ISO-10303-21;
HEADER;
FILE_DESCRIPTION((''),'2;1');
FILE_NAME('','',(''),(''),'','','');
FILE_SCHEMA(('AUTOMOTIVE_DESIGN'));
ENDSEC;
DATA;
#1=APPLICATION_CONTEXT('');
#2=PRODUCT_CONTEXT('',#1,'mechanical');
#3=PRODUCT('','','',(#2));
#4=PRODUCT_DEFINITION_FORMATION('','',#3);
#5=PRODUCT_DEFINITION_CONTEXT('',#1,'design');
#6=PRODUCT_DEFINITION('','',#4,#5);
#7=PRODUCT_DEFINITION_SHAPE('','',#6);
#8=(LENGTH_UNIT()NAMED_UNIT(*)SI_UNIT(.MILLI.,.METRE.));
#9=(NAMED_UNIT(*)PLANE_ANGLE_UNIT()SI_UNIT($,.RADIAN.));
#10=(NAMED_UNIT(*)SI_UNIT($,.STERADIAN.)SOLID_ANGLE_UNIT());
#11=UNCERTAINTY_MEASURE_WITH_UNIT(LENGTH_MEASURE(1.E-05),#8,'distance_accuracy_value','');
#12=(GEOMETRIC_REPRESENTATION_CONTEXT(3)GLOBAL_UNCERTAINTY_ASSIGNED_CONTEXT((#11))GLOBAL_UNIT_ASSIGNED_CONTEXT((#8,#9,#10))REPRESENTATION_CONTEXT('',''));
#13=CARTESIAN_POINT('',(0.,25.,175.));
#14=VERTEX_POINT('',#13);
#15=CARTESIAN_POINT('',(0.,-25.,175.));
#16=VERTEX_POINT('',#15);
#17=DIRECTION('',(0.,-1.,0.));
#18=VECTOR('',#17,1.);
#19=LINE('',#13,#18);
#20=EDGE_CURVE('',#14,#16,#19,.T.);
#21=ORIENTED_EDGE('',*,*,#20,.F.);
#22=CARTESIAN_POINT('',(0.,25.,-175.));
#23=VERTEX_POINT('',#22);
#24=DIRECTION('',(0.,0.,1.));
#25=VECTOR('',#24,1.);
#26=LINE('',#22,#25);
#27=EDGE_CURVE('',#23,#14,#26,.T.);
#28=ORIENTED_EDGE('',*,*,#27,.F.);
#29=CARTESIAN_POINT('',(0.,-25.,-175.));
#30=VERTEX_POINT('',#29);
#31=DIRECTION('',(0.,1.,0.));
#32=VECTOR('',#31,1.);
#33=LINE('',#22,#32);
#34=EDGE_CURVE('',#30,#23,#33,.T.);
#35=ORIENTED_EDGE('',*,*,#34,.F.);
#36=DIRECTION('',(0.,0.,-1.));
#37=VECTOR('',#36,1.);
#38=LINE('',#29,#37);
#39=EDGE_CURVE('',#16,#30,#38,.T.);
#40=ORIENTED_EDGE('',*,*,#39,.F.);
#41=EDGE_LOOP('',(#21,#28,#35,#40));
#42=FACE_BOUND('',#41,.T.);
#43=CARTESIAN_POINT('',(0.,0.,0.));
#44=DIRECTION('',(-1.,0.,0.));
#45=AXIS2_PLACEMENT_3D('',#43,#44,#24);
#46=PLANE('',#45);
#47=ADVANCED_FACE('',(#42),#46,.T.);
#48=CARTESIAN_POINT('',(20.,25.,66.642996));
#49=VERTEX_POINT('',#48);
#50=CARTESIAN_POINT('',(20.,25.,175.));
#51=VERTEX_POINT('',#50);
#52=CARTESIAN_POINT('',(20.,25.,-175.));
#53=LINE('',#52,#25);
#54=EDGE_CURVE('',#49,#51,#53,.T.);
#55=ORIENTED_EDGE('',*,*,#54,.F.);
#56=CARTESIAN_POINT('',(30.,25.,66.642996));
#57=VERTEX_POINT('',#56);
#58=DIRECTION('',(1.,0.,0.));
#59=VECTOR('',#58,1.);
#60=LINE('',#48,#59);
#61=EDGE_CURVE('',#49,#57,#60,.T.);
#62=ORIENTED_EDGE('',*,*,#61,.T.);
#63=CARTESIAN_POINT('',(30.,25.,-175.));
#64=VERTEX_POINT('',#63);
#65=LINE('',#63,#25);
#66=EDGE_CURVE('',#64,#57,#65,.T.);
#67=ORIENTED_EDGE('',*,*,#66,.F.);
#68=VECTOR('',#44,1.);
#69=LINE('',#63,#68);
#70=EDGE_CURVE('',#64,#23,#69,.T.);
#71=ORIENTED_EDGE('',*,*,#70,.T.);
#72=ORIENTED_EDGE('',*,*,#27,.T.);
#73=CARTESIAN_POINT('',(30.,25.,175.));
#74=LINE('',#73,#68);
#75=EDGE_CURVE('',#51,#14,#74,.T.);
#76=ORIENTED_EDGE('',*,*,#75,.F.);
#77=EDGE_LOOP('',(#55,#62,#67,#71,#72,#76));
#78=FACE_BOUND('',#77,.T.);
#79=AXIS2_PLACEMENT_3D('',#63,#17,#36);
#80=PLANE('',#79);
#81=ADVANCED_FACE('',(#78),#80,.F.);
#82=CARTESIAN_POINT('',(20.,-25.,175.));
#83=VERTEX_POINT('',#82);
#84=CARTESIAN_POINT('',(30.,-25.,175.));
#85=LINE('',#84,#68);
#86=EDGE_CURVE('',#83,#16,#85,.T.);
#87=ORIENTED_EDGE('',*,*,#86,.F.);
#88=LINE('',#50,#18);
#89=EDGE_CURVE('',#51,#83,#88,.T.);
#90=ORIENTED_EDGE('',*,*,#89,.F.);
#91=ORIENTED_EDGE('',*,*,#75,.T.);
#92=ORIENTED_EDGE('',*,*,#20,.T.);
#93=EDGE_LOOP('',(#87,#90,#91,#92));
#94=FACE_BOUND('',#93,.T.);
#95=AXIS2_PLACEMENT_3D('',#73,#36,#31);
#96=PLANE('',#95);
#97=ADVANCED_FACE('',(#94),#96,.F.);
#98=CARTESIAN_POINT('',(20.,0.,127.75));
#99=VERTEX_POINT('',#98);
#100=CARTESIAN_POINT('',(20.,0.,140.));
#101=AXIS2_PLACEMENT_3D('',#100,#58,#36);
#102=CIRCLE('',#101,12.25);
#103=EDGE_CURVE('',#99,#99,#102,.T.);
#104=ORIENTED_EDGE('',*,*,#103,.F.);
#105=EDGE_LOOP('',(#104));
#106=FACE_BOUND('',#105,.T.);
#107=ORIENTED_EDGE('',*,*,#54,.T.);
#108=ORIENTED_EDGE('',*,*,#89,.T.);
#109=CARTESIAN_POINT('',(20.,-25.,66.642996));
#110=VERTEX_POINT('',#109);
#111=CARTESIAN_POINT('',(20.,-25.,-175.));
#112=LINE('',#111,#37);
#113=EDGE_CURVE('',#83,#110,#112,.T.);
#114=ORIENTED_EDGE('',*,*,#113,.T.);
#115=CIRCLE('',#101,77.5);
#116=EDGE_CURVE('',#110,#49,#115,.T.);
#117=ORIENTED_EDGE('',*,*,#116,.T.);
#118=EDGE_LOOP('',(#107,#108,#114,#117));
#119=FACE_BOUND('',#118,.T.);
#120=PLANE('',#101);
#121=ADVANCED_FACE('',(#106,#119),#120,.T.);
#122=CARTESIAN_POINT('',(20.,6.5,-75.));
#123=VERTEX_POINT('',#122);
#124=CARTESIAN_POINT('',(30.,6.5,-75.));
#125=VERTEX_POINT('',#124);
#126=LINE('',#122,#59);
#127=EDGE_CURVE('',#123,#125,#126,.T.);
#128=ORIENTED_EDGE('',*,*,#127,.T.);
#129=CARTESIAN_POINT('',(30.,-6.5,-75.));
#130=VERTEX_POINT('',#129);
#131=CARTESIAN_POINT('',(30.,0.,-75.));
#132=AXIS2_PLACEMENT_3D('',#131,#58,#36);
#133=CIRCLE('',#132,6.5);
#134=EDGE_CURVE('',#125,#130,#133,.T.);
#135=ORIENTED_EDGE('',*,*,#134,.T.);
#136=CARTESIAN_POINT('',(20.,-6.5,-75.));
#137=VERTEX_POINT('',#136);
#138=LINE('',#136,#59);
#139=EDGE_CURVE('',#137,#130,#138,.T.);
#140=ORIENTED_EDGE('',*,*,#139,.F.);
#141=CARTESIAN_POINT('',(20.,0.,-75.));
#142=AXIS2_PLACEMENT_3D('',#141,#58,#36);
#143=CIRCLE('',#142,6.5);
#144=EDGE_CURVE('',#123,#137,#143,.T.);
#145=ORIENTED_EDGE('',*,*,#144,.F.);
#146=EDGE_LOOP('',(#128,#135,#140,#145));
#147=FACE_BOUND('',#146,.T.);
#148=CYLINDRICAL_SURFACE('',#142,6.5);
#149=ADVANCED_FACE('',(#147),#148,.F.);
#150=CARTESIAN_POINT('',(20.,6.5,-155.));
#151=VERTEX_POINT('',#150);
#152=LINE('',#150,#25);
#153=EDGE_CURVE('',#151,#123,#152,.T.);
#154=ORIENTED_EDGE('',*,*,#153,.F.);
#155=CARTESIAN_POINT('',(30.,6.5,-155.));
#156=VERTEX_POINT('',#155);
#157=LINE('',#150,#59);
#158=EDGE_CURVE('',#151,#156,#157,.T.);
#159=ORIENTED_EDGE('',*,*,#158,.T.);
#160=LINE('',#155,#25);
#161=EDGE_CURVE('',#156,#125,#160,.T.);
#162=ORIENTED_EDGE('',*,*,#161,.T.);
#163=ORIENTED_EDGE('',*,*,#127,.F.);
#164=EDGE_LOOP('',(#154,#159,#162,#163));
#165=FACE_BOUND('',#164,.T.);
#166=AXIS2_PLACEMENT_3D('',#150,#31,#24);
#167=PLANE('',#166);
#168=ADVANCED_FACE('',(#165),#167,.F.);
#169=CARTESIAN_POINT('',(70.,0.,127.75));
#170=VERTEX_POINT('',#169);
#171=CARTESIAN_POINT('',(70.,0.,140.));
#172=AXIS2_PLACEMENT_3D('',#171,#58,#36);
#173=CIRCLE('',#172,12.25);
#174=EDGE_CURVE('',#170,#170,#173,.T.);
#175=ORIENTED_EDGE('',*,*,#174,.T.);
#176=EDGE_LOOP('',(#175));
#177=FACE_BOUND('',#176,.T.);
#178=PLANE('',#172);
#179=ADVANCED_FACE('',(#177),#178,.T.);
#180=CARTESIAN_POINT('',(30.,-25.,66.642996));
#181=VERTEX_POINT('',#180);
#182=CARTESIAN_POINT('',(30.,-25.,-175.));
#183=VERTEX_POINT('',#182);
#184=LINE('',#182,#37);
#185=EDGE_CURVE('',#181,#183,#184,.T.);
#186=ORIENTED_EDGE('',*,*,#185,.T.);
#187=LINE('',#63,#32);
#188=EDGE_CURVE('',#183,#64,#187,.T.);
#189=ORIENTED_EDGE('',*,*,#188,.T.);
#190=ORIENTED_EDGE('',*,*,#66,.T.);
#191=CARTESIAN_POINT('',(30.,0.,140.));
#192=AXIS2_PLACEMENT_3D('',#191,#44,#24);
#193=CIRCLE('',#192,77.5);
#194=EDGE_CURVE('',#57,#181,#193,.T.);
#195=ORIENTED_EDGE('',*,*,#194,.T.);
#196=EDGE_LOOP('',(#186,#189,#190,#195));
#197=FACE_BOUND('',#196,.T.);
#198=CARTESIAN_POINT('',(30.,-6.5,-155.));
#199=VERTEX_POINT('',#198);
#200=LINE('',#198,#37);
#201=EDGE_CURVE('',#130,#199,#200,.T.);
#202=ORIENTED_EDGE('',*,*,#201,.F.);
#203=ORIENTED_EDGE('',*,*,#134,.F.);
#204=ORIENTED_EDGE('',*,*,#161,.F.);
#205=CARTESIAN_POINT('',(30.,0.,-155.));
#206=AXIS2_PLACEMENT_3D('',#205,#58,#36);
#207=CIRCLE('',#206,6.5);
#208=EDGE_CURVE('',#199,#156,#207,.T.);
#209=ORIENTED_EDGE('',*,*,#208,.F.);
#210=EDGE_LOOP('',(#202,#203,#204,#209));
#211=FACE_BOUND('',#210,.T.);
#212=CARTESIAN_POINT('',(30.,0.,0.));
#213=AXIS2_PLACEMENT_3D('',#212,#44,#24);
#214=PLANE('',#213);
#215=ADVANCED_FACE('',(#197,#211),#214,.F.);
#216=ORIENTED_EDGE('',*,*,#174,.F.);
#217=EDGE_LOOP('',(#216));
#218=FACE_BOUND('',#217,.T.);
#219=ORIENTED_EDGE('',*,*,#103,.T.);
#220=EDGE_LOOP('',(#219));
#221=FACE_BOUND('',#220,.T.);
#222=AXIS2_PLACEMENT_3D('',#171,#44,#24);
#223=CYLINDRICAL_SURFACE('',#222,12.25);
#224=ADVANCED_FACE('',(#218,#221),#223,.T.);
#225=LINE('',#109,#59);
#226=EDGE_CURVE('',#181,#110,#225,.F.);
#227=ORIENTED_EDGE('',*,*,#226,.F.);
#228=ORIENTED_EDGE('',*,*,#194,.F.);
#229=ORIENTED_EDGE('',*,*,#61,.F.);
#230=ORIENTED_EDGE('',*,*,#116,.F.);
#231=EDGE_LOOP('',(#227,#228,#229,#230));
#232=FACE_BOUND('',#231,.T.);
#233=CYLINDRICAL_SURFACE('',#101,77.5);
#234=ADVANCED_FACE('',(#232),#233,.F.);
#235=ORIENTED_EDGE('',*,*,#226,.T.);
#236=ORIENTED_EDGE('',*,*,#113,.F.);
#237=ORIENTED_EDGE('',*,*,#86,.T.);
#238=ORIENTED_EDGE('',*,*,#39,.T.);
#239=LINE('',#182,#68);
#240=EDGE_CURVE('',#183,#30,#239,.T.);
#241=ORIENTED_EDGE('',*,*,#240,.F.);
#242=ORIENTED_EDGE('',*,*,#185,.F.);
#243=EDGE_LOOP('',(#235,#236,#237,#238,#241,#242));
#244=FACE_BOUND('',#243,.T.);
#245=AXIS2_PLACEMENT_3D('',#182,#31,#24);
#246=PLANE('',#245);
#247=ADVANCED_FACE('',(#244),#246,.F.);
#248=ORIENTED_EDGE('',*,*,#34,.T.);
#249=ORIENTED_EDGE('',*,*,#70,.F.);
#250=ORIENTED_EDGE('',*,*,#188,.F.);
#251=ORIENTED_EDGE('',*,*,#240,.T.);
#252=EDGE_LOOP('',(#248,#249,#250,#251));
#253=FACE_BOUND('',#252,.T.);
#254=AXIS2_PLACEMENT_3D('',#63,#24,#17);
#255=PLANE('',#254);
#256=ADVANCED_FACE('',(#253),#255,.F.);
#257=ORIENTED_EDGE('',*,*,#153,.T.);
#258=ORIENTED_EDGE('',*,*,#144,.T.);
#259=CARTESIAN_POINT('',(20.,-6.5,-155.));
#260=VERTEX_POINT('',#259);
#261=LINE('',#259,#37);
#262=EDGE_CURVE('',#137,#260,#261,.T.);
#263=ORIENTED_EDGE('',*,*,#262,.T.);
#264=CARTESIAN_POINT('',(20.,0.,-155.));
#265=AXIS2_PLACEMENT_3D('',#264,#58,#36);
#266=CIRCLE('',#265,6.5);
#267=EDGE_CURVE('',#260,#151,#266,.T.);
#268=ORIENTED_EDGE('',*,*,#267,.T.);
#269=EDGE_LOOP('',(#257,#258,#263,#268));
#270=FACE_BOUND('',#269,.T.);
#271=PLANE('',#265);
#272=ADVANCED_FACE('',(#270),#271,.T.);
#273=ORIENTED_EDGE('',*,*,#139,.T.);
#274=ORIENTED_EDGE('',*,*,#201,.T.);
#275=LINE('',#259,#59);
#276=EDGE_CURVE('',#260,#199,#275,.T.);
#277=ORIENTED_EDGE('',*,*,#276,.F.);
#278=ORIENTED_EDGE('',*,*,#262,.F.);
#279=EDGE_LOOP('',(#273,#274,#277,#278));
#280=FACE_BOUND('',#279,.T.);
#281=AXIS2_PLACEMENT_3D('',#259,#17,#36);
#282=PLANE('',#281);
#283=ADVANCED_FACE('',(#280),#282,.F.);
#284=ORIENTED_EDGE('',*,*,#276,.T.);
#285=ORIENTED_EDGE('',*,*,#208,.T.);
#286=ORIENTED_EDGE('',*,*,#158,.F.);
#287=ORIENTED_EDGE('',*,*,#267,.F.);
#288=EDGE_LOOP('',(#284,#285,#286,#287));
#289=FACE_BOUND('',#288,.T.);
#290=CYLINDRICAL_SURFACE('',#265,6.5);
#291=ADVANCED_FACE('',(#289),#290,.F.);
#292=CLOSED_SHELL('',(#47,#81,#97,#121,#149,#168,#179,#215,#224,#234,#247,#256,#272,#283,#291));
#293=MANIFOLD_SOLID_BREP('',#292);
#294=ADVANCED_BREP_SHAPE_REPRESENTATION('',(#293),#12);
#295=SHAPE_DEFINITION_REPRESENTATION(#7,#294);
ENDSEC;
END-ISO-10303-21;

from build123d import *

# Parameters (mm, degrees)
SKETCH1_W           = 350
SKETCH1_H           = 50
BOSS_EXTRUDE1_DEPTH = 30
CUT_EXTRUDE1_DEPTH  = 10
SKETCH3_R           = 77.5
CUT_EXTRUDE2_DEPTH  = 10
SKETCH4_R           = 12.25
BOSS_EXTRUDE2_DEPTH = 50


with BuildPart() as part:
    # Sketch1 → Boss-Extrude1 (new body)
    with BuildSketch(Plane(origin=(0, 0, 0), x_dir=(0, 0, -1), z_dir=(1, 0, 0))):
        Rectangle(SKETCH1_W, SKETCH1_H)
    extrude(amount=BOSS_EXTRUDE1_DEPTH)

    # Sketch2 → Cut-Extrude1 (cut)
    with BuildSketch(Plane(origin=(30, 0, 0), x_dir=(0, 0, -1), z_dir=(1, 0, 0))):
        with BuildLine():
            Line((155, -6.5), (75, -6.5))
            ThreePointArc((75, -6.5), (68.5, 0), (75, 6.5))
            Line((75, 6.5), (155, 6.5))
            ThreePointArc((155, 6.5), (161.5, 0), (155, -6.5))
        make_face()
    extrude(amount=-CUT_EXTRUDE1_DEPTH, mode=Mode.SUBTRACT)

    # Sketch3 → Cut-Extrude2 (cut)
    with BuildSketch(Plane(origin=(30, 0, 0), x_dir=(0, 0, -1), z_dir=(1, 0, 0))):
        with Locations((-140, 0)):
            Circle(SKETCH3_R)
    extrude(amount=-CUT_EXTRUDE2_DEPTH, mode=Mode.SUBTRACT)

    # Sketch4 → Boss-Extrude2 (add)
    with BuildSketch(Plane(origin=(20, 0, 0), x_dir=(0, 0, -1), z_dir=(1, 0, 0))):
        with Locations((-140, 0)):
            Circle(SKETCH4_R)
    extrude(amount=BOSS_EXTRUDE2_DEPTH)


solid = part.part
